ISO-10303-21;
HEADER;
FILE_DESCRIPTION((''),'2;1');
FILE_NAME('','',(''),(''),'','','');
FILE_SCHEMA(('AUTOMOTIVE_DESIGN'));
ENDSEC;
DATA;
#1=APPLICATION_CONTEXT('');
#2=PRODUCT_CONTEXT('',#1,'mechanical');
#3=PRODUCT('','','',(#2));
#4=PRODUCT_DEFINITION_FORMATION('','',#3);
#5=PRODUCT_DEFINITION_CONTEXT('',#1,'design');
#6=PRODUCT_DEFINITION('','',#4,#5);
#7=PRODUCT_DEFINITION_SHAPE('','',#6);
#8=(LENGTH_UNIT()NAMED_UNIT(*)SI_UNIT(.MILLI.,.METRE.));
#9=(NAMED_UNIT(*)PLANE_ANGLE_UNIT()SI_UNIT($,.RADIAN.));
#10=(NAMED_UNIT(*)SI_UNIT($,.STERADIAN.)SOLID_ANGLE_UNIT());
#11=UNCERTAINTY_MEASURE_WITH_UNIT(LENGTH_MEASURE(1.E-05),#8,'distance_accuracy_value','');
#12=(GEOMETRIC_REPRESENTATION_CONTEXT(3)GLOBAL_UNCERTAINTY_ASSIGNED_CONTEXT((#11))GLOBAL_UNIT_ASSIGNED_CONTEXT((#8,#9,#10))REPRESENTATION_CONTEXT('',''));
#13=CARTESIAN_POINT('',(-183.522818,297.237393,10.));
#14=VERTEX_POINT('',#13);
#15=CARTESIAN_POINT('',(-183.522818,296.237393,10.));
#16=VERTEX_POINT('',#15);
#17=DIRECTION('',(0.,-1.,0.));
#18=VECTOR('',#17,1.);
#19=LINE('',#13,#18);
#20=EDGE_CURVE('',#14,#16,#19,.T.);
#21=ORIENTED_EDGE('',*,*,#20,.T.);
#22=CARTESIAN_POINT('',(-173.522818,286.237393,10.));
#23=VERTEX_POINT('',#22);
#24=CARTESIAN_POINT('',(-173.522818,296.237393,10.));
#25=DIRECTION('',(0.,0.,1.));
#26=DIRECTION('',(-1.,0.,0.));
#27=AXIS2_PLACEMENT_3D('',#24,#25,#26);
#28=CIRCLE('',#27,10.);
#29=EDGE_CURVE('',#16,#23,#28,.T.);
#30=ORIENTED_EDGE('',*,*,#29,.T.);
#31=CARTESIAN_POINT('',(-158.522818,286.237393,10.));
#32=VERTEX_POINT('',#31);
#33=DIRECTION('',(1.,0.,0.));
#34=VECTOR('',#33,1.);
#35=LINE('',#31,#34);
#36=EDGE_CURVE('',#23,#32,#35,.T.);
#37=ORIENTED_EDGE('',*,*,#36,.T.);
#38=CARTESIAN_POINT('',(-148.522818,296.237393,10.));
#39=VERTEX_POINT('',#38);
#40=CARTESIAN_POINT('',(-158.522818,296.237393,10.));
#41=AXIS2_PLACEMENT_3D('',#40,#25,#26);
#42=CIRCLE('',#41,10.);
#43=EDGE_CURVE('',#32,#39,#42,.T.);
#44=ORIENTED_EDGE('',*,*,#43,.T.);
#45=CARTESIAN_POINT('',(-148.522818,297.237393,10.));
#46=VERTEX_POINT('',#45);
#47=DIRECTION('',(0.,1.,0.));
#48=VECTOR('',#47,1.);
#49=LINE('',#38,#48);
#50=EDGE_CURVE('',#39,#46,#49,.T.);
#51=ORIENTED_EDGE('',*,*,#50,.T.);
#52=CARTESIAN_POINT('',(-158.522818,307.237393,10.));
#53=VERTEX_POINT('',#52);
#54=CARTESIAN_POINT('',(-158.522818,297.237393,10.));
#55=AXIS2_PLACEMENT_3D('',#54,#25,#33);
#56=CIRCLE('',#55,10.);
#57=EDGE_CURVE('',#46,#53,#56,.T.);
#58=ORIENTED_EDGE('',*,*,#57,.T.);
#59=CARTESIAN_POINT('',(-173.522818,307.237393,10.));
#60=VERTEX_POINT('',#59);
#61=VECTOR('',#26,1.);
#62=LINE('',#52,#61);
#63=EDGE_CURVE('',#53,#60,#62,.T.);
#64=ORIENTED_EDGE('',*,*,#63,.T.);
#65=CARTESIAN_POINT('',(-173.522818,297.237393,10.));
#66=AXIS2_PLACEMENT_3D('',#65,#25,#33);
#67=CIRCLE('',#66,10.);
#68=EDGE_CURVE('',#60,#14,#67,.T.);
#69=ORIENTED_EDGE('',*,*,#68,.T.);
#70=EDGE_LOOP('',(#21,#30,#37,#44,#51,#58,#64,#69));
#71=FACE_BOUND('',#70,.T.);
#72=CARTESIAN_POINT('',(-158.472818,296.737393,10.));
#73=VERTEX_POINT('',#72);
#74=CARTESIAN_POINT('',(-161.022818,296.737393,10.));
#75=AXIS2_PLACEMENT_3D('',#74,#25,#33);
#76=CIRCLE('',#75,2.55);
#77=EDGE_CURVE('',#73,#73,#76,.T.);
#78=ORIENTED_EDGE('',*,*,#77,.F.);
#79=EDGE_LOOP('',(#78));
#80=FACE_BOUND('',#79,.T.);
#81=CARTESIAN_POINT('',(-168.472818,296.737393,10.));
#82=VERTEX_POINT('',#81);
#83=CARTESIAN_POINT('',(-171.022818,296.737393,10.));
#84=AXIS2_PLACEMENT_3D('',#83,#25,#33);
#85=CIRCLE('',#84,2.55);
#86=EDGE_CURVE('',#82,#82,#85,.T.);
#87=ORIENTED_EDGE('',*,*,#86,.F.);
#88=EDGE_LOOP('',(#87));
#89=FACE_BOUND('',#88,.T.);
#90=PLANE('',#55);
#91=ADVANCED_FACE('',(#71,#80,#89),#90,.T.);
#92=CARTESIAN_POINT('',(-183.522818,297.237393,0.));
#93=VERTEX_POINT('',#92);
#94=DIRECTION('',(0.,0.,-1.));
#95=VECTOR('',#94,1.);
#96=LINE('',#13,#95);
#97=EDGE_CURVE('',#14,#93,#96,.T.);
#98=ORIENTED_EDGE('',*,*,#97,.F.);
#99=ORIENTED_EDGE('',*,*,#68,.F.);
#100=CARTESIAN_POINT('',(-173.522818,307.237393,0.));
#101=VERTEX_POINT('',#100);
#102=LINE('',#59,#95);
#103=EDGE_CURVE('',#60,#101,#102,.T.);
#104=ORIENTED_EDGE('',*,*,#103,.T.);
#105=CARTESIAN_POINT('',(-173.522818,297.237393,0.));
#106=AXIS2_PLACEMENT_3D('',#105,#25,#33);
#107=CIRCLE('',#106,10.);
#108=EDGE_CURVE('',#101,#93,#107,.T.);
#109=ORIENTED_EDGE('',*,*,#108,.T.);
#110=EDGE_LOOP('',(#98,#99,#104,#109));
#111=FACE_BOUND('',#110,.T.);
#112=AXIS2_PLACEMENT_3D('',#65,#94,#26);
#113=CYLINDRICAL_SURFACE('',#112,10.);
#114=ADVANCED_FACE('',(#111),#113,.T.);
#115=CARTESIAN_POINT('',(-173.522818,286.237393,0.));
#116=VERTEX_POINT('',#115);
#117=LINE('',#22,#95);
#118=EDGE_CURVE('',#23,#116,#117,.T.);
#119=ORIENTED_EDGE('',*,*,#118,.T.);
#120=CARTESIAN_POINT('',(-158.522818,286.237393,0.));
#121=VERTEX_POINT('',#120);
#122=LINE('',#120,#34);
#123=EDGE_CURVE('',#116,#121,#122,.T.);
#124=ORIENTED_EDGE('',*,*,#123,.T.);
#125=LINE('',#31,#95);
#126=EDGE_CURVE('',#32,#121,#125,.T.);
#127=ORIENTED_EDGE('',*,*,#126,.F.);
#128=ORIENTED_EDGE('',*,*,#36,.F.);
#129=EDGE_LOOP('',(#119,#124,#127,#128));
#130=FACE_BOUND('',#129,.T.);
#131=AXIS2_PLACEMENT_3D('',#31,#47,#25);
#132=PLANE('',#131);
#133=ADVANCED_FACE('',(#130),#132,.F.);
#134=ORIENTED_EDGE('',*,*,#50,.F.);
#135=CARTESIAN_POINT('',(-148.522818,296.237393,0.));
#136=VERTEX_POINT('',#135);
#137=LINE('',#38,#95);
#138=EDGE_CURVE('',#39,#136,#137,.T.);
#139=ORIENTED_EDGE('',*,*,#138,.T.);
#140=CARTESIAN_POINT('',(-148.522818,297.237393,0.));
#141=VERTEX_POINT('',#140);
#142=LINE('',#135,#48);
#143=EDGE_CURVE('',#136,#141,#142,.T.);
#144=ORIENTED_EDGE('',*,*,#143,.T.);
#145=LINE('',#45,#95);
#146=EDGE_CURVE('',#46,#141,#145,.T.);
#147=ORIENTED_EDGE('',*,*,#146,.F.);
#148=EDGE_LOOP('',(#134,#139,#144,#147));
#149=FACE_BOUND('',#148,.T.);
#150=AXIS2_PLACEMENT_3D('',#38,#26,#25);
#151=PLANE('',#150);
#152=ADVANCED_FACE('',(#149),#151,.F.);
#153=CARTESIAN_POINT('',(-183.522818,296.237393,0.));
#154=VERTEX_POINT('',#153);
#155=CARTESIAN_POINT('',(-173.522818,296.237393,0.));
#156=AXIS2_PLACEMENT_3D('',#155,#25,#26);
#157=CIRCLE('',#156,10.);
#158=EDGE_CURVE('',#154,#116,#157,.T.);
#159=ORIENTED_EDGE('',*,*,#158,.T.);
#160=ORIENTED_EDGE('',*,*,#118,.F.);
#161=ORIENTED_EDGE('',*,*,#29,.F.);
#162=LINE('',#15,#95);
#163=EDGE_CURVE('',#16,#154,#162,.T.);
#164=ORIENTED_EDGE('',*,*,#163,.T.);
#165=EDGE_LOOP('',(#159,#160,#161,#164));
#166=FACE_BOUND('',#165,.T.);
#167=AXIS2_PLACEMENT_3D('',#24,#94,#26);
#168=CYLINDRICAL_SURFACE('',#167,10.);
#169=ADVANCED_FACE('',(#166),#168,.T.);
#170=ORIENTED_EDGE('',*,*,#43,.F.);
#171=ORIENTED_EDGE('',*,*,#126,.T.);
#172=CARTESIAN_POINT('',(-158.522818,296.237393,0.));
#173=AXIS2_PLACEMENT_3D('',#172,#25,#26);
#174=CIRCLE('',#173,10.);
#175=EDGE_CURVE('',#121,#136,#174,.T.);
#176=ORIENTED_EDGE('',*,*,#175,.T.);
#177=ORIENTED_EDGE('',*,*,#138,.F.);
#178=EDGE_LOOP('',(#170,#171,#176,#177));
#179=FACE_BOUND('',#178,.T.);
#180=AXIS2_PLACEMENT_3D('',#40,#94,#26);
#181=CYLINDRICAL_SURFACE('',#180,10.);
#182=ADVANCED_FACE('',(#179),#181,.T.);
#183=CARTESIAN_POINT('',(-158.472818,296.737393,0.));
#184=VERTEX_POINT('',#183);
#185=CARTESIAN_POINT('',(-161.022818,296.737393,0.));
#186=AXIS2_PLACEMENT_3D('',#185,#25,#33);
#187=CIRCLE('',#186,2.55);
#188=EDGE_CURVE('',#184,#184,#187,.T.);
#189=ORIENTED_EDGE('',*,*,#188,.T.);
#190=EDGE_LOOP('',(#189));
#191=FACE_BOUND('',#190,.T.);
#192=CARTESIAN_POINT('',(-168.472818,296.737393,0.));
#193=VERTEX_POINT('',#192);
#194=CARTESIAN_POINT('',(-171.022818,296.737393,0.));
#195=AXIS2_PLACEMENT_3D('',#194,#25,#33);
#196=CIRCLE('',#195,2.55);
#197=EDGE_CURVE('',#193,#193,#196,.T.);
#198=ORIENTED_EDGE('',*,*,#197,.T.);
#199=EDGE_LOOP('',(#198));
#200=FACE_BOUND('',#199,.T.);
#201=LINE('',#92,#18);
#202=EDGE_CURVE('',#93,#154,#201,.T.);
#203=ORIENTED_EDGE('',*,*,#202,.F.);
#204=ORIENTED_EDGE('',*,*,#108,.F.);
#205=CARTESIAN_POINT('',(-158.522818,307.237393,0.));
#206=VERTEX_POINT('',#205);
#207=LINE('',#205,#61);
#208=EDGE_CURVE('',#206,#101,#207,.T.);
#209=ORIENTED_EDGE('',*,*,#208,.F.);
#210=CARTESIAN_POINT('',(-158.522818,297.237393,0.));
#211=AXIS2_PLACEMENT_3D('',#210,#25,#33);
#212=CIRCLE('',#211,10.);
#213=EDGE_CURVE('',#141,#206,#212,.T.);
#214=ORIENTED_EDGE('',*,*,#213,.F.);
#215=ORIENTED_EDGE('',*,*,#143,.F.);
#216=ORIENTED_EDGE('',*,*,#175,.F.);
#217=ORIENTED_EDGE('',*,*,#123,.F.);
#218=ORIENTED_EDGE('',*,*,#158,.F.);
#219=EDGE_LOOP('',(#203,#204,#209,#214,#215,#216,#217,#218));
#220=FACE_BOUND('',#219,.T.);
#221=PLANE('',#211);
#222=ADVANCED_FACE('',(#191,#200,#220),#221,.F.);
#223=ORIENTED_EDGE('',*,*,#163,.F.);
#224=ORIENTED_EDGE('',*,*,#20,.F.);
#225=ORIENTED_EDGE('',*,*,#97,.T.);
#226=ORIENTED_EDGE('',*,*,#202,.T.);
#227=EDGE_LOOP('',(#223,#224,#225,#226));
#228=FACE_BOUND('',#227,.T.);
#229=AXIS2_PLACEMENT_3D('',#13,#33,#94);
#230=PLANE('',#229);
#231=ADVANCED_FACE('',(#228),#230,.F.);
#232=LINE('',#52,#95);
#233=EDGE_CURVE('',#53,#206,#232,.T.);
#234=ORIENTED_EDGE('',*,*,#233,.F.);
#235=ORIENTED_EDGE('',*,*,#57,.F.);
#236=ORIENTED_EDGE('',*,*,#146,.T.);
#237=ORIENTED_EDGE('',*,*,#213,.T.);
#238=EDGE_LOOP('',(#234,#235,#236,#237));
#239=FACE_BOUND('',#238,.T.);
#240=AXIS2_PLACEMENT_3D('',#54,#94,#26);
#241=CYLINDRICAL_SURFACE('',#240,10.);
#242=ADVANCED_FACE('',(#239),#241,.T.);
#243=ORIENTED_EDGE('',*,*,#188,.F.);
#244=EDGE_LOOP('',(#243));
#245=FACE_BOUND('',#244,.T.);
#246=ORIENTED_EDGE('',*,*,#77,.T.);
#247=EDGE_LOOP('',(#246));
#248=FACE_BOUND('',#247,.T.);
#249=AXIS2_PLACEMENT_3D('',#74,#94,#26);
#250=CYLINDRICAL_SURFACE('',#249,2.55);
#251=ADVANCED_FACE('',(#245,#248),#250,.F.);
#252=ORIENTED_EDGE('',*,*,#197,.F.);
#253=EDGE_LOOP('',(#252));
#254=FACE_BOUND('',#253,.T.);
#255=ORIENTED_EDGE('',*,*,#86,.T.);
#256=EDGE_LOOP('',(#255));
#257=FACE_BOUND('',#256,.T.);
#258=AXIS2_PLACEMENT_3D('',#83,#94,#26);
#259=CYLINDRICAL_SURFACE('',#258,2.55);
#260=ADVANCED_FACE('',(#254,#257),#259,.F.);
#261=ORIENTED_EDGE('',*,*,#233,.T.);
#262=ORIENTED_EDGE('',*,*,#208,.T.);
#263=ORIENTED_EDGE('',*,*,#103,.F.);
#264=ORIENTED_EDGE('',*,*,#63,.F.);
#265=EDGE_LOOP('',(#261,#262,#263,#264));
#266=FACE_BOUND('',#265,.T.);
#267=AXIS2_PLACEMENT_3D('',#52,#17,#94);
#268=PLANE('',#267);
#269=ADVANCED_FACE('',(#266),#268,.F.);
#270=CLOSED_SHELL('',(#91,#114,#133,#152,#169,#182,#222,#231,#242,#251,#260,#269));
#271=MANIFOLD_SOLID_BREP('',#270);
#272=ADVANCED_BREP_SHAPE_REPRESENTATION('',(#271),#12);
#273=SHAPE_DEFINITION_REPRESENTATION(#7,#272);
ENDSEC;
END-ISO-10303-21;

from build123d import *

# Parameters (mm, degrees)
SZKIC1_R                    = 2.55
DODANIE_WYCI_GNI_CIE1_DEPTH = 10


with BuildPart() as part:
    # Szkic1 → Dodanie-wyciągnięcie1 (new body)
    with BuildSketch(Plane.XY):
        with BuildLine():
            Line((-158.52281754, 286.237393464), (-173.52281754, 286.237393464))
            ThreePointArc((-173.52281754, 286.237393464), (-180.593885352, 289.166325652), (-183.52281754, 296.237393464))
            Line((-183.52281754, 296.237393464), (-183.52281754, 297.237393461))
            ThreePointArc((-183.52281754, 297.237393461), (-180.593885352, 304.308461273), (-173.52281754, 307.237393461))
            Line((-173.52281754, 307.237393461), (-158.52281754, 307.237393461))
            ThreePointArc((-158.52281754, 307.237393461), (-151.451749728, 304.308461273), (-148.52281754, 297.237393461))
            Line((-148.52281754, 297.237393461), (-148.52281754, 296.237393464))
            ThreePointArc((-148.52281754, 296.237393464), (-151.451749728, 289.166325652), (-158.52281754, 286.237393464))
        make_face()
        with Locations((-171.02281754, 296.737393463)):
            Circle(SZKIC1_R, mode=Mode.SUBTRACT)
        with Locations((-161.02281754, 296.737393463)):
            Circle(SZKIC1_R, mode=Mode.SUBTRACT)
    extrude(amount=DODANIE_WYCI_GNI_CIE1_DEPTH)


solid = part.part
